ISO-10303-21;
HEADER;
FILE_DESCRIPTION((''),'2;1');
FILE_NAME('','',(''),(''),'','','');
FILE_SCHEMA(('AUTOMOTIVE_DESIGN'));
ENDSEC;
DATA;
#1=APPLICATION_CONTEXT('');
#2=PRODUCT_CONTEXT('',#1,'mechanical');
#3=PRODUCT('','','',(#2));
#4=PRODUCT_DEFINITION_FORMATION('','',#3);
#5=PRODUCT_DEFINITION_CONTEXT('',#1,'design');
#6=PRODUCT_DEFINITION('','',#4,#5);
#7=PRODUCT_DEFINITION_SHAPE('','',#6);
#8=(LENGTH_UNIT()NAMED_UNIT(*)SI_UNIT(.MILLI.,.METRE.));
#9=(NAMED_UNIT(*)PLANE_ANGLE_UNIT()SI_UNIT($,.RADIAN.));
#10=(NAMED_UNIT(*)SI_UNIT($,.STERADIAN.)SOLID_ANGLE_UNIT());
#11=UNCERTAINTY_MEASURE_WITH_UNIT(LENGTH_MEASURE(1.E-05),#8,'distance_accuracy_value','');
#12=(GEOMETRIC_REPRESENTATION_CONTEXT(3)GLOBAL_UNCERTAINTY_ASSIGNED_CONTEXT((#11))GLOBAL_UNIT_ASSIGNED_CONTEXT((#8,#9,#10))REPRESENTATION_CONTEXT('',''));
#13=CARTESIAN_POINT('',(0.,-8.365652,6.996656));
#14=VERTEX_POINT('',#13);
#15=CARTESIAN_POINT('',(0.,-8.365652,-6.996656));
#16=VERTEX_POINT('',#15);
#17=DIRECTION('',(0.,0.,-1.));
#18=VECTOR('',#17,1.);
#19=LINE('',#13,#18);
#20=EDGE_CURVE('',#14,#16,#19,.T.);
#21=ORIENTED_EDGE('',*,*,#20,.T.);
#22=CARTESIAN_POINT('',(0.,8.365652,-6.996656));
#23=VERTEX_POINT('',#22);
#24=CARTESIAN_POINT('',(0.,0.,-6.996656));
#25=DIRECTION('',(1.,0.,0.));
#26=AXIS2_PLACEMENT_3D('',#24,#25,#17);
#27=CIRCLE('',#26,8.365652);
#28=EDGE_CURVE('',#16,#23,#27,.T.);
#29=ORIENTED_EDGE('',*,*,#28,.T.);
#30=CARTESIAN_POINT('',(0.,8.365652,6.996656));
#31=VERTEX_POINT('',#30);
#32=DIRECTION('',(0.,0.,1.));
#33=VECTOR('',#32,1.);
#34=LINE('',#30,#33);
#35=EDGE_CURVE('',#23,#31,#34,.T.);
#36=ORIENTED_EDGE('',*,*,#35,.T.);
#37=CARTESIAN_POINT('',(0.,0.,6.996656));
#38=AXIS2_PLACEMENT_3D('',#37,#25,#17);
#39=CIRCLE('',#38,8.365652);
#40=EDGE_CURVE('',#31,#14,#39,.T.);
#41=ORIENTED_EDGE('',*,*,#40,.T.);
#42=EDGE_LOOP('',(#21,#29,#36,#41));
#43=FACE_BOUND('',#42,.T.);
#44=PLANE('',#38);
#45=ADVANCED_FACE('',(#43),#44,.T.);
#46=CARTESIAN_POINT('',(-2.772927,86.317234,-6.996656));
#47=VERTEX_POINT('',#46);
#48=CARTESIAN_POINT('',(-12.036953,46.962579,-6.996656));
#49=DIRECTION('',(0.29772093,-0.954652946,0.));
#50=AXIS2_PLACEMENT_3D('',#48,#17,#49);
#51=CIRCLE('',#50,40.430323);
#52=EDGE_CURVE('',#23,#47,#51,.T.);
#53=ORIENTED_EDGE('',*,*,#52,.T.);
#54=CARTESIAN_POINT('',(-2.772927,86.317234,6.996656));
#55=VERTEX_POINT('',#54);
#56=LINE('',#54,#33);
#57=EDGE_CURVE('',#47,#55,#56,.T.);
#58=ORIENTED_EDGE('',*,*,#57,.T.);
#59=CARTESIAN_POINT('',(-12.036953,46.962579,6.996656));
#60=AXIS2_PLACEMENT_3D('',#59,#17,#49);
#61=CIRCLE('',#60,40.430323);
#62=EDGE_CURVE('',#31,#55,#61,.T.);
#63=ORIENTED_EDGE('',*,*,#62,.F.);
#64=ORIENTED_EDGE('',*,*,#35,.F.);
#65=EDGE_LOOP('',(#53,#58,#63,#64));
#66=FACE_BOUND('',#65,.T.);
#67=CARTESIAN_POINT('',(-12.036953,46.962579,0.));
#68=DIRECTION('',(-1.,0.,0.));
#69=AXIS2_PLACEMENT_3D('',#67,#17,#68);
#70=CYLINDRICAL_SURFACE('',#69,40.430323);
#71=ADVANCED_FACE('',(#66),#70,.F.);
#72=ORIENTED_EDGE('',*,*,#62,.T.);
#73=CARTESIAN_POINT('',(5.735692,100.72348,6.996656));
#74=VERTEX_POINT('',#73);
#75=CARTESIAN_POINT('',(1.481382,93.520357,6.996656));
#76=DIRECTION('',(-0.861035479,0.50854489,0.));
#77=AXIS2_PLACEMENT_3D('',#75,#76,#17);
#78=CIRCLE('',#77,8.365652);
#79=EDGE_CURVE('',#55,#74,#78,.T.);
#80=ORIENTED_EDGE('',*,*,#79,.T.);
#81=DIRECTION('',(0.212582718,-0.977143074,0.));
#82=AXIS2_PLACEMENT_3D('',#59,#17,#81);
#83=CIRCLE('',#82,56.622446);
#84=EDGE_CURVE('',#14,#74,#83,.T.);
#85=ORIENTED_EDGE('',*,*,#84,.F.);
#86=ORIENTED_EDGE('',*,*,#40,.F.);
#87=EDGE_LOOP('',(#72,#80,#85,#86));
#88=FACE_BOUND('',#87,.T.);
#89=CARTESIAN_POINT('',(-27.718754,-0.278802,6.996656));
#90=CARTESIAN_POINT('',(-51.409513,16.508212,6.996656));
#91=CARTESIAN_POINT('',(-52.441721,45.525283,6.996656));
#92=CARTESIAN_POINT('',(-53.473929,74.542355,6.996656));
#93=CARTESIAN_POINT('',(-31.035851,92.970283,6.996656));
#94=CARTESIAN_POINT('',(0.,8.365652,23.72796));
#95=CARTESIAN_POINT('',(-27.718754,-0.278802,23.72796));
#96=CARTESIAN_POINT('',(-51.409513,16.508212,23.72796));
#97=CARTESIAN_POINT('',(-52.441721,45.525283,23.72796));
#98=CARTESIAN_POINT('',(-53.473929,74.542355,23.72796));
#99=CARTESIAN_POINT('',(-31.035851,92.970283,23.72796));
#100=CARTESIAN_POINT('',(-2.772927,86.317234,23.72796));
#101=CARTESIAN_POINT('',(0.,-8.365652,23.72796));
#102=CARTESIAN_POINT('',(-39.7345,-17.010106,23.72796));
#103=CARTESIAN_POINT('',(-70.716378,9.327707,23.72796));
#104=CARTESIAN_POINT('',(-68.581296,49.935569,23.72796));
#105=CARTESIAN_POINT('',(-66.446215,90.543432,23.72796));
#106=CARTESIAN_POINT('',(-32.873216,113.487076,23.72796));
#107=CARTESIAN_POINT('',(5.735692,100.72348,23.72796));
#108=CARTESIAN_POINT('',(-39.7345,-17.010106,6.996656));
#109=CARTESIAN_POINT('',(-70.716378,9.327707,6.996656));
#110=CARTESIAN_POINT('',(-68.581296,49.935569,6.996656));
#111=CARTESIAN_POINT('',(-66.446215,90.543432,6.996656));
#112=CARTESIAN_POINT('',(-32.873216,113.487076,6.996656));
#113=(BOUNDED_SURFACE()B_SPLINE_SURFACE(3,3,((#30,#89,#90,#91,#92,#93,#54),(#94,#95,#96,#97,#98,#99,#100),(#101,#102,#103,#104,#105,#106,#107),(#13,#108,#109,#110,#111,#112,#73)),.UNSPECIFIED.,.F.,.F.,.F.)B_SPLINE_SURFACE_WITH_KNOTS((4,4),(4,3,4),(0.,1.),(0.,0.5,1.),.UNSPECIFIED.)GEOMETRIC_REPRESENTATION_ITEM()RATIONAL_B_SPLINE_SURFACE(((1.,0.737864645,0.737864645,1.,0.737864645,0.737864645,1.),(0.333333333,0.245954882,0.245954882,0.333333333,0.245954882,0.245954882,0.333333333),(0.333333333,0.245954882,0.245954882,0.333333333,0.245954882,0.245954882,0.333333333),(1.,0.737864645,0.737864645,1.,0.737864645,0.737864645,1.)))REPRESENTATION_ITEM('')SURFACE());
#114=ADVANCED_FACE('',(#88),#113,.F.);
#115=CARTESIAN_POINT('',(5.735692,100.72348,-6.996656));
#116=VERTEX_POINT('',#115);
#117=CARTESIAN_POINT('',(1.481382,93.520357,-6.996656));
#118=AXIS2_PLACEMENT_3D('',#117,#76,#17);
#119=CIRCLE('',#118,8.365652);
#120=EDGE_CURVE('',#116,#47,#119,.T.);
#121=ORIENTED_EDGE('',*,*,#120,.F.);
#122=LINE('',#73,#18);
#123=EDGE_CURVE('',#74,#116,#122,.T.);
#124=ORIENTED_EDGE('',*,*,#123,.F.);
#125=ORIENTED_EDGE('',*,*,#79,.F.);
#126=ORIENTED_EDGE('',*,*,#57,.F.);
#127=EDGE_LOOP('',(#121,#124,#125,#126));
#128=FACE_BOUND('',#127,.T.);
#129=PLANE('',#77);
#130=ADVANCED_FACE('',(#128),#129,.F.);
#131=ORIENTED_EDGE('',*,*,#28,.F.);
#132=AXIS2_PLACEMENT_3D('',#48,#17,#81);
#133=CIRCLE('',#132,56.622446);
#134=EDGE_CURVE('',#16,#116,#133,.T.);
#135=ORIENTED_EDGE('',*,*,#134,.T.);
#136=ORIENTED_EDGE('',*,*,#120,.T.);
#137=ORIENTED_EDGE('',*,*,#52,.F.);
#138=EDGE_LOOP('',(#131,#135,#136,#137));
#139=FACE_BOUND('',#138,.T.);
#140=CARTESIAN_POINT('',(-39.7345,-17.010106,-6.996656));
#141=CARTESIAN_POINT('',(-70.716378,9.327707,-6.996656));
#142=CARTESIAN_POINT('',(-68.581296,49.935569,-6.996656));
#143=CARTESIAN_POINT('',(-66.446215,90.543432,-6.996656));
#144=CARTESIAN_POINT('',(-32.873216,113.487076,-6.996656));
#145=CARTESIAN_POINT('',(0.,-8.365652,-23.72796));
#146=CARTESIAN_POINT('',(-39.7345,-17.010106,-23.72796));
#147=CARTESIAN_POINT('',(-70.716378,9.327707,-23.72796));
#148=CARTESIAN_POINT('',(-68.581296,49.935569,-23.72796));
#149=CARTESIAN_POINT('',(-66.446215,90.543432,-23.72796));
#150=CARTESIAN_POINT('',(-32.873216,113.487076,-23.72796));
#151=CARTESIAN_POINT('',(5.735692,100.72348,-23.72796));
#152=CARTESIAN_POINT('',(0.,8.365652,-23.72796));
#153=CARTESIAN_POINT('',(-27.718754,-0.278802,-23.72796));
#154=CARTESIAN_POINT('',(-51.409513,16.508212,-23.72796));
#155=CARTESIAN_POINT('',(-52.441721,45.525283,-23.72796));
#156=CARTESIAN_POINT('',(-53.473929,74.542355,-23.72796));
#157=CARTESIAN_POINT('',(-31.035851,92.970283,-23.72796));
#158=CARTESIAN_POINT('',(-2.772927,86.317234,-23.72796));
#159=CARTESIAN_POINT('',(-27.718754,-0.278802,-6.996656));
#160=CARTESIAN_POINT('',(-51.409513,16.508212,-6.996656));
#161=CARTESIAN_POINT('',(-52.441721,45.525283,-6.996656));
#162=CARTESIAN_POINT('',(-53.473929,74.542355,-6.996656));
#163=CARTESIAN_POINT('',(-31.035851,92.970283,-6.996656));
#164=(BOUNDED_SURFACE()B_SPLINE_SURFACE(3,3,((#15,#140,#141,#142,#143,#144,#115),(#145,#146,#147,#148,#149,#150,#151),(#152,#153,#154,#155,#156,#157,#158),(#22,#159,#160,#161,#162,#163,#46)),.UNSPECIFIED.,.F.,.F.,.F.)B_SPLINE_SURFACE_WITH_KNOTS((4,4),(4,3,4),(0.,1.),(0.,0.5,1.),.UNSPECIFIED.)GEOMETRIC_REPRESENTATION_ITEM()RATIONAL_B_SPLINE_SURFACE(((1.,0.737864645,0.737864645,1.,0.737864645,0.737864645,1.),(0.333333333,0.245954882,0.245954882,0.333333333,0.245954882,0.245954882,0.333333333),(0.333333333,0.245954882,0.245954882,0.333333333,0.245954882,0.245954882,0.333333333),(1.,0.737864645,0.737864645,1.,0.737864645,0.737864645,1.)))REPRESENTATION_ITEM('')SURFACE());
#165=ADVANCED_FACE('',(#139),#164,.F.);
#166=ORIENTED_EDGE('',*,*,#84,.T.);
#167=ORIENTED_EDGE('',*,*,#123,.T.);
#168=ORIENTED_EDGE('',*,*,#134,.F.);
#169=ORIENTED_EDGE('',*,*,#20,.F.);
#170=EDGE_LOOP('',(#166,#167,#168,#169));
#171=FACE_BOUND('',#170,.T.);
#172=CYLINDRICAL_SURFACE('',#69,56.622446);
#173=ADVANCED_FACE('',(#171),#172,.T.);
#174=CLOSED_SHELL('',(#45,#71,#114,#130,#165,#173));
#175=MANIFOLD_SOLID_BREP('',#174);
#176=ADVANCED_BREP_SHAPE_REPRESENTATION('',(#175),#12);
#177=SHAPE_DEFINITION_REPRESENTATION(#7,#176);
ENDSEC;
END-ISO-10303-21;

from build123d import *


with BuildPart() as part:
    # Süpür2: sweep along a path in Çizim1
    with BuildLine(Plane.XY) as s_p_r2_path:
        ThreePointArc((0, 0), (-60.511508606, 47.73042625), (1.481382133, 93.520357038))
    # Çizim2 → Süpür2 (sweep)
    with BuildSketch(Plane(origin=(0, 0, 0), x_dir=(0, 0, -1), z_dir=(1, 0, 0))):
        with BuildLine():
            Line((-6.996656418, 8.36565184), (6.996656418, 8.36565184))
            ThreePointArc((6.996656418, 8.36565184), (15.362308258, 0), (6.996656418, -8.36565184))
            Line((6.996656418, -8.36565184), (-6.996656418, -8.36565184))
            ThreePointArc((-6.996656418, -8.36565184), (-15.362308258, 0), (-6.996656418, 8.36565184))
        make_face()
    sweep(path=s_p_r2_path.line)


solid = part.part
